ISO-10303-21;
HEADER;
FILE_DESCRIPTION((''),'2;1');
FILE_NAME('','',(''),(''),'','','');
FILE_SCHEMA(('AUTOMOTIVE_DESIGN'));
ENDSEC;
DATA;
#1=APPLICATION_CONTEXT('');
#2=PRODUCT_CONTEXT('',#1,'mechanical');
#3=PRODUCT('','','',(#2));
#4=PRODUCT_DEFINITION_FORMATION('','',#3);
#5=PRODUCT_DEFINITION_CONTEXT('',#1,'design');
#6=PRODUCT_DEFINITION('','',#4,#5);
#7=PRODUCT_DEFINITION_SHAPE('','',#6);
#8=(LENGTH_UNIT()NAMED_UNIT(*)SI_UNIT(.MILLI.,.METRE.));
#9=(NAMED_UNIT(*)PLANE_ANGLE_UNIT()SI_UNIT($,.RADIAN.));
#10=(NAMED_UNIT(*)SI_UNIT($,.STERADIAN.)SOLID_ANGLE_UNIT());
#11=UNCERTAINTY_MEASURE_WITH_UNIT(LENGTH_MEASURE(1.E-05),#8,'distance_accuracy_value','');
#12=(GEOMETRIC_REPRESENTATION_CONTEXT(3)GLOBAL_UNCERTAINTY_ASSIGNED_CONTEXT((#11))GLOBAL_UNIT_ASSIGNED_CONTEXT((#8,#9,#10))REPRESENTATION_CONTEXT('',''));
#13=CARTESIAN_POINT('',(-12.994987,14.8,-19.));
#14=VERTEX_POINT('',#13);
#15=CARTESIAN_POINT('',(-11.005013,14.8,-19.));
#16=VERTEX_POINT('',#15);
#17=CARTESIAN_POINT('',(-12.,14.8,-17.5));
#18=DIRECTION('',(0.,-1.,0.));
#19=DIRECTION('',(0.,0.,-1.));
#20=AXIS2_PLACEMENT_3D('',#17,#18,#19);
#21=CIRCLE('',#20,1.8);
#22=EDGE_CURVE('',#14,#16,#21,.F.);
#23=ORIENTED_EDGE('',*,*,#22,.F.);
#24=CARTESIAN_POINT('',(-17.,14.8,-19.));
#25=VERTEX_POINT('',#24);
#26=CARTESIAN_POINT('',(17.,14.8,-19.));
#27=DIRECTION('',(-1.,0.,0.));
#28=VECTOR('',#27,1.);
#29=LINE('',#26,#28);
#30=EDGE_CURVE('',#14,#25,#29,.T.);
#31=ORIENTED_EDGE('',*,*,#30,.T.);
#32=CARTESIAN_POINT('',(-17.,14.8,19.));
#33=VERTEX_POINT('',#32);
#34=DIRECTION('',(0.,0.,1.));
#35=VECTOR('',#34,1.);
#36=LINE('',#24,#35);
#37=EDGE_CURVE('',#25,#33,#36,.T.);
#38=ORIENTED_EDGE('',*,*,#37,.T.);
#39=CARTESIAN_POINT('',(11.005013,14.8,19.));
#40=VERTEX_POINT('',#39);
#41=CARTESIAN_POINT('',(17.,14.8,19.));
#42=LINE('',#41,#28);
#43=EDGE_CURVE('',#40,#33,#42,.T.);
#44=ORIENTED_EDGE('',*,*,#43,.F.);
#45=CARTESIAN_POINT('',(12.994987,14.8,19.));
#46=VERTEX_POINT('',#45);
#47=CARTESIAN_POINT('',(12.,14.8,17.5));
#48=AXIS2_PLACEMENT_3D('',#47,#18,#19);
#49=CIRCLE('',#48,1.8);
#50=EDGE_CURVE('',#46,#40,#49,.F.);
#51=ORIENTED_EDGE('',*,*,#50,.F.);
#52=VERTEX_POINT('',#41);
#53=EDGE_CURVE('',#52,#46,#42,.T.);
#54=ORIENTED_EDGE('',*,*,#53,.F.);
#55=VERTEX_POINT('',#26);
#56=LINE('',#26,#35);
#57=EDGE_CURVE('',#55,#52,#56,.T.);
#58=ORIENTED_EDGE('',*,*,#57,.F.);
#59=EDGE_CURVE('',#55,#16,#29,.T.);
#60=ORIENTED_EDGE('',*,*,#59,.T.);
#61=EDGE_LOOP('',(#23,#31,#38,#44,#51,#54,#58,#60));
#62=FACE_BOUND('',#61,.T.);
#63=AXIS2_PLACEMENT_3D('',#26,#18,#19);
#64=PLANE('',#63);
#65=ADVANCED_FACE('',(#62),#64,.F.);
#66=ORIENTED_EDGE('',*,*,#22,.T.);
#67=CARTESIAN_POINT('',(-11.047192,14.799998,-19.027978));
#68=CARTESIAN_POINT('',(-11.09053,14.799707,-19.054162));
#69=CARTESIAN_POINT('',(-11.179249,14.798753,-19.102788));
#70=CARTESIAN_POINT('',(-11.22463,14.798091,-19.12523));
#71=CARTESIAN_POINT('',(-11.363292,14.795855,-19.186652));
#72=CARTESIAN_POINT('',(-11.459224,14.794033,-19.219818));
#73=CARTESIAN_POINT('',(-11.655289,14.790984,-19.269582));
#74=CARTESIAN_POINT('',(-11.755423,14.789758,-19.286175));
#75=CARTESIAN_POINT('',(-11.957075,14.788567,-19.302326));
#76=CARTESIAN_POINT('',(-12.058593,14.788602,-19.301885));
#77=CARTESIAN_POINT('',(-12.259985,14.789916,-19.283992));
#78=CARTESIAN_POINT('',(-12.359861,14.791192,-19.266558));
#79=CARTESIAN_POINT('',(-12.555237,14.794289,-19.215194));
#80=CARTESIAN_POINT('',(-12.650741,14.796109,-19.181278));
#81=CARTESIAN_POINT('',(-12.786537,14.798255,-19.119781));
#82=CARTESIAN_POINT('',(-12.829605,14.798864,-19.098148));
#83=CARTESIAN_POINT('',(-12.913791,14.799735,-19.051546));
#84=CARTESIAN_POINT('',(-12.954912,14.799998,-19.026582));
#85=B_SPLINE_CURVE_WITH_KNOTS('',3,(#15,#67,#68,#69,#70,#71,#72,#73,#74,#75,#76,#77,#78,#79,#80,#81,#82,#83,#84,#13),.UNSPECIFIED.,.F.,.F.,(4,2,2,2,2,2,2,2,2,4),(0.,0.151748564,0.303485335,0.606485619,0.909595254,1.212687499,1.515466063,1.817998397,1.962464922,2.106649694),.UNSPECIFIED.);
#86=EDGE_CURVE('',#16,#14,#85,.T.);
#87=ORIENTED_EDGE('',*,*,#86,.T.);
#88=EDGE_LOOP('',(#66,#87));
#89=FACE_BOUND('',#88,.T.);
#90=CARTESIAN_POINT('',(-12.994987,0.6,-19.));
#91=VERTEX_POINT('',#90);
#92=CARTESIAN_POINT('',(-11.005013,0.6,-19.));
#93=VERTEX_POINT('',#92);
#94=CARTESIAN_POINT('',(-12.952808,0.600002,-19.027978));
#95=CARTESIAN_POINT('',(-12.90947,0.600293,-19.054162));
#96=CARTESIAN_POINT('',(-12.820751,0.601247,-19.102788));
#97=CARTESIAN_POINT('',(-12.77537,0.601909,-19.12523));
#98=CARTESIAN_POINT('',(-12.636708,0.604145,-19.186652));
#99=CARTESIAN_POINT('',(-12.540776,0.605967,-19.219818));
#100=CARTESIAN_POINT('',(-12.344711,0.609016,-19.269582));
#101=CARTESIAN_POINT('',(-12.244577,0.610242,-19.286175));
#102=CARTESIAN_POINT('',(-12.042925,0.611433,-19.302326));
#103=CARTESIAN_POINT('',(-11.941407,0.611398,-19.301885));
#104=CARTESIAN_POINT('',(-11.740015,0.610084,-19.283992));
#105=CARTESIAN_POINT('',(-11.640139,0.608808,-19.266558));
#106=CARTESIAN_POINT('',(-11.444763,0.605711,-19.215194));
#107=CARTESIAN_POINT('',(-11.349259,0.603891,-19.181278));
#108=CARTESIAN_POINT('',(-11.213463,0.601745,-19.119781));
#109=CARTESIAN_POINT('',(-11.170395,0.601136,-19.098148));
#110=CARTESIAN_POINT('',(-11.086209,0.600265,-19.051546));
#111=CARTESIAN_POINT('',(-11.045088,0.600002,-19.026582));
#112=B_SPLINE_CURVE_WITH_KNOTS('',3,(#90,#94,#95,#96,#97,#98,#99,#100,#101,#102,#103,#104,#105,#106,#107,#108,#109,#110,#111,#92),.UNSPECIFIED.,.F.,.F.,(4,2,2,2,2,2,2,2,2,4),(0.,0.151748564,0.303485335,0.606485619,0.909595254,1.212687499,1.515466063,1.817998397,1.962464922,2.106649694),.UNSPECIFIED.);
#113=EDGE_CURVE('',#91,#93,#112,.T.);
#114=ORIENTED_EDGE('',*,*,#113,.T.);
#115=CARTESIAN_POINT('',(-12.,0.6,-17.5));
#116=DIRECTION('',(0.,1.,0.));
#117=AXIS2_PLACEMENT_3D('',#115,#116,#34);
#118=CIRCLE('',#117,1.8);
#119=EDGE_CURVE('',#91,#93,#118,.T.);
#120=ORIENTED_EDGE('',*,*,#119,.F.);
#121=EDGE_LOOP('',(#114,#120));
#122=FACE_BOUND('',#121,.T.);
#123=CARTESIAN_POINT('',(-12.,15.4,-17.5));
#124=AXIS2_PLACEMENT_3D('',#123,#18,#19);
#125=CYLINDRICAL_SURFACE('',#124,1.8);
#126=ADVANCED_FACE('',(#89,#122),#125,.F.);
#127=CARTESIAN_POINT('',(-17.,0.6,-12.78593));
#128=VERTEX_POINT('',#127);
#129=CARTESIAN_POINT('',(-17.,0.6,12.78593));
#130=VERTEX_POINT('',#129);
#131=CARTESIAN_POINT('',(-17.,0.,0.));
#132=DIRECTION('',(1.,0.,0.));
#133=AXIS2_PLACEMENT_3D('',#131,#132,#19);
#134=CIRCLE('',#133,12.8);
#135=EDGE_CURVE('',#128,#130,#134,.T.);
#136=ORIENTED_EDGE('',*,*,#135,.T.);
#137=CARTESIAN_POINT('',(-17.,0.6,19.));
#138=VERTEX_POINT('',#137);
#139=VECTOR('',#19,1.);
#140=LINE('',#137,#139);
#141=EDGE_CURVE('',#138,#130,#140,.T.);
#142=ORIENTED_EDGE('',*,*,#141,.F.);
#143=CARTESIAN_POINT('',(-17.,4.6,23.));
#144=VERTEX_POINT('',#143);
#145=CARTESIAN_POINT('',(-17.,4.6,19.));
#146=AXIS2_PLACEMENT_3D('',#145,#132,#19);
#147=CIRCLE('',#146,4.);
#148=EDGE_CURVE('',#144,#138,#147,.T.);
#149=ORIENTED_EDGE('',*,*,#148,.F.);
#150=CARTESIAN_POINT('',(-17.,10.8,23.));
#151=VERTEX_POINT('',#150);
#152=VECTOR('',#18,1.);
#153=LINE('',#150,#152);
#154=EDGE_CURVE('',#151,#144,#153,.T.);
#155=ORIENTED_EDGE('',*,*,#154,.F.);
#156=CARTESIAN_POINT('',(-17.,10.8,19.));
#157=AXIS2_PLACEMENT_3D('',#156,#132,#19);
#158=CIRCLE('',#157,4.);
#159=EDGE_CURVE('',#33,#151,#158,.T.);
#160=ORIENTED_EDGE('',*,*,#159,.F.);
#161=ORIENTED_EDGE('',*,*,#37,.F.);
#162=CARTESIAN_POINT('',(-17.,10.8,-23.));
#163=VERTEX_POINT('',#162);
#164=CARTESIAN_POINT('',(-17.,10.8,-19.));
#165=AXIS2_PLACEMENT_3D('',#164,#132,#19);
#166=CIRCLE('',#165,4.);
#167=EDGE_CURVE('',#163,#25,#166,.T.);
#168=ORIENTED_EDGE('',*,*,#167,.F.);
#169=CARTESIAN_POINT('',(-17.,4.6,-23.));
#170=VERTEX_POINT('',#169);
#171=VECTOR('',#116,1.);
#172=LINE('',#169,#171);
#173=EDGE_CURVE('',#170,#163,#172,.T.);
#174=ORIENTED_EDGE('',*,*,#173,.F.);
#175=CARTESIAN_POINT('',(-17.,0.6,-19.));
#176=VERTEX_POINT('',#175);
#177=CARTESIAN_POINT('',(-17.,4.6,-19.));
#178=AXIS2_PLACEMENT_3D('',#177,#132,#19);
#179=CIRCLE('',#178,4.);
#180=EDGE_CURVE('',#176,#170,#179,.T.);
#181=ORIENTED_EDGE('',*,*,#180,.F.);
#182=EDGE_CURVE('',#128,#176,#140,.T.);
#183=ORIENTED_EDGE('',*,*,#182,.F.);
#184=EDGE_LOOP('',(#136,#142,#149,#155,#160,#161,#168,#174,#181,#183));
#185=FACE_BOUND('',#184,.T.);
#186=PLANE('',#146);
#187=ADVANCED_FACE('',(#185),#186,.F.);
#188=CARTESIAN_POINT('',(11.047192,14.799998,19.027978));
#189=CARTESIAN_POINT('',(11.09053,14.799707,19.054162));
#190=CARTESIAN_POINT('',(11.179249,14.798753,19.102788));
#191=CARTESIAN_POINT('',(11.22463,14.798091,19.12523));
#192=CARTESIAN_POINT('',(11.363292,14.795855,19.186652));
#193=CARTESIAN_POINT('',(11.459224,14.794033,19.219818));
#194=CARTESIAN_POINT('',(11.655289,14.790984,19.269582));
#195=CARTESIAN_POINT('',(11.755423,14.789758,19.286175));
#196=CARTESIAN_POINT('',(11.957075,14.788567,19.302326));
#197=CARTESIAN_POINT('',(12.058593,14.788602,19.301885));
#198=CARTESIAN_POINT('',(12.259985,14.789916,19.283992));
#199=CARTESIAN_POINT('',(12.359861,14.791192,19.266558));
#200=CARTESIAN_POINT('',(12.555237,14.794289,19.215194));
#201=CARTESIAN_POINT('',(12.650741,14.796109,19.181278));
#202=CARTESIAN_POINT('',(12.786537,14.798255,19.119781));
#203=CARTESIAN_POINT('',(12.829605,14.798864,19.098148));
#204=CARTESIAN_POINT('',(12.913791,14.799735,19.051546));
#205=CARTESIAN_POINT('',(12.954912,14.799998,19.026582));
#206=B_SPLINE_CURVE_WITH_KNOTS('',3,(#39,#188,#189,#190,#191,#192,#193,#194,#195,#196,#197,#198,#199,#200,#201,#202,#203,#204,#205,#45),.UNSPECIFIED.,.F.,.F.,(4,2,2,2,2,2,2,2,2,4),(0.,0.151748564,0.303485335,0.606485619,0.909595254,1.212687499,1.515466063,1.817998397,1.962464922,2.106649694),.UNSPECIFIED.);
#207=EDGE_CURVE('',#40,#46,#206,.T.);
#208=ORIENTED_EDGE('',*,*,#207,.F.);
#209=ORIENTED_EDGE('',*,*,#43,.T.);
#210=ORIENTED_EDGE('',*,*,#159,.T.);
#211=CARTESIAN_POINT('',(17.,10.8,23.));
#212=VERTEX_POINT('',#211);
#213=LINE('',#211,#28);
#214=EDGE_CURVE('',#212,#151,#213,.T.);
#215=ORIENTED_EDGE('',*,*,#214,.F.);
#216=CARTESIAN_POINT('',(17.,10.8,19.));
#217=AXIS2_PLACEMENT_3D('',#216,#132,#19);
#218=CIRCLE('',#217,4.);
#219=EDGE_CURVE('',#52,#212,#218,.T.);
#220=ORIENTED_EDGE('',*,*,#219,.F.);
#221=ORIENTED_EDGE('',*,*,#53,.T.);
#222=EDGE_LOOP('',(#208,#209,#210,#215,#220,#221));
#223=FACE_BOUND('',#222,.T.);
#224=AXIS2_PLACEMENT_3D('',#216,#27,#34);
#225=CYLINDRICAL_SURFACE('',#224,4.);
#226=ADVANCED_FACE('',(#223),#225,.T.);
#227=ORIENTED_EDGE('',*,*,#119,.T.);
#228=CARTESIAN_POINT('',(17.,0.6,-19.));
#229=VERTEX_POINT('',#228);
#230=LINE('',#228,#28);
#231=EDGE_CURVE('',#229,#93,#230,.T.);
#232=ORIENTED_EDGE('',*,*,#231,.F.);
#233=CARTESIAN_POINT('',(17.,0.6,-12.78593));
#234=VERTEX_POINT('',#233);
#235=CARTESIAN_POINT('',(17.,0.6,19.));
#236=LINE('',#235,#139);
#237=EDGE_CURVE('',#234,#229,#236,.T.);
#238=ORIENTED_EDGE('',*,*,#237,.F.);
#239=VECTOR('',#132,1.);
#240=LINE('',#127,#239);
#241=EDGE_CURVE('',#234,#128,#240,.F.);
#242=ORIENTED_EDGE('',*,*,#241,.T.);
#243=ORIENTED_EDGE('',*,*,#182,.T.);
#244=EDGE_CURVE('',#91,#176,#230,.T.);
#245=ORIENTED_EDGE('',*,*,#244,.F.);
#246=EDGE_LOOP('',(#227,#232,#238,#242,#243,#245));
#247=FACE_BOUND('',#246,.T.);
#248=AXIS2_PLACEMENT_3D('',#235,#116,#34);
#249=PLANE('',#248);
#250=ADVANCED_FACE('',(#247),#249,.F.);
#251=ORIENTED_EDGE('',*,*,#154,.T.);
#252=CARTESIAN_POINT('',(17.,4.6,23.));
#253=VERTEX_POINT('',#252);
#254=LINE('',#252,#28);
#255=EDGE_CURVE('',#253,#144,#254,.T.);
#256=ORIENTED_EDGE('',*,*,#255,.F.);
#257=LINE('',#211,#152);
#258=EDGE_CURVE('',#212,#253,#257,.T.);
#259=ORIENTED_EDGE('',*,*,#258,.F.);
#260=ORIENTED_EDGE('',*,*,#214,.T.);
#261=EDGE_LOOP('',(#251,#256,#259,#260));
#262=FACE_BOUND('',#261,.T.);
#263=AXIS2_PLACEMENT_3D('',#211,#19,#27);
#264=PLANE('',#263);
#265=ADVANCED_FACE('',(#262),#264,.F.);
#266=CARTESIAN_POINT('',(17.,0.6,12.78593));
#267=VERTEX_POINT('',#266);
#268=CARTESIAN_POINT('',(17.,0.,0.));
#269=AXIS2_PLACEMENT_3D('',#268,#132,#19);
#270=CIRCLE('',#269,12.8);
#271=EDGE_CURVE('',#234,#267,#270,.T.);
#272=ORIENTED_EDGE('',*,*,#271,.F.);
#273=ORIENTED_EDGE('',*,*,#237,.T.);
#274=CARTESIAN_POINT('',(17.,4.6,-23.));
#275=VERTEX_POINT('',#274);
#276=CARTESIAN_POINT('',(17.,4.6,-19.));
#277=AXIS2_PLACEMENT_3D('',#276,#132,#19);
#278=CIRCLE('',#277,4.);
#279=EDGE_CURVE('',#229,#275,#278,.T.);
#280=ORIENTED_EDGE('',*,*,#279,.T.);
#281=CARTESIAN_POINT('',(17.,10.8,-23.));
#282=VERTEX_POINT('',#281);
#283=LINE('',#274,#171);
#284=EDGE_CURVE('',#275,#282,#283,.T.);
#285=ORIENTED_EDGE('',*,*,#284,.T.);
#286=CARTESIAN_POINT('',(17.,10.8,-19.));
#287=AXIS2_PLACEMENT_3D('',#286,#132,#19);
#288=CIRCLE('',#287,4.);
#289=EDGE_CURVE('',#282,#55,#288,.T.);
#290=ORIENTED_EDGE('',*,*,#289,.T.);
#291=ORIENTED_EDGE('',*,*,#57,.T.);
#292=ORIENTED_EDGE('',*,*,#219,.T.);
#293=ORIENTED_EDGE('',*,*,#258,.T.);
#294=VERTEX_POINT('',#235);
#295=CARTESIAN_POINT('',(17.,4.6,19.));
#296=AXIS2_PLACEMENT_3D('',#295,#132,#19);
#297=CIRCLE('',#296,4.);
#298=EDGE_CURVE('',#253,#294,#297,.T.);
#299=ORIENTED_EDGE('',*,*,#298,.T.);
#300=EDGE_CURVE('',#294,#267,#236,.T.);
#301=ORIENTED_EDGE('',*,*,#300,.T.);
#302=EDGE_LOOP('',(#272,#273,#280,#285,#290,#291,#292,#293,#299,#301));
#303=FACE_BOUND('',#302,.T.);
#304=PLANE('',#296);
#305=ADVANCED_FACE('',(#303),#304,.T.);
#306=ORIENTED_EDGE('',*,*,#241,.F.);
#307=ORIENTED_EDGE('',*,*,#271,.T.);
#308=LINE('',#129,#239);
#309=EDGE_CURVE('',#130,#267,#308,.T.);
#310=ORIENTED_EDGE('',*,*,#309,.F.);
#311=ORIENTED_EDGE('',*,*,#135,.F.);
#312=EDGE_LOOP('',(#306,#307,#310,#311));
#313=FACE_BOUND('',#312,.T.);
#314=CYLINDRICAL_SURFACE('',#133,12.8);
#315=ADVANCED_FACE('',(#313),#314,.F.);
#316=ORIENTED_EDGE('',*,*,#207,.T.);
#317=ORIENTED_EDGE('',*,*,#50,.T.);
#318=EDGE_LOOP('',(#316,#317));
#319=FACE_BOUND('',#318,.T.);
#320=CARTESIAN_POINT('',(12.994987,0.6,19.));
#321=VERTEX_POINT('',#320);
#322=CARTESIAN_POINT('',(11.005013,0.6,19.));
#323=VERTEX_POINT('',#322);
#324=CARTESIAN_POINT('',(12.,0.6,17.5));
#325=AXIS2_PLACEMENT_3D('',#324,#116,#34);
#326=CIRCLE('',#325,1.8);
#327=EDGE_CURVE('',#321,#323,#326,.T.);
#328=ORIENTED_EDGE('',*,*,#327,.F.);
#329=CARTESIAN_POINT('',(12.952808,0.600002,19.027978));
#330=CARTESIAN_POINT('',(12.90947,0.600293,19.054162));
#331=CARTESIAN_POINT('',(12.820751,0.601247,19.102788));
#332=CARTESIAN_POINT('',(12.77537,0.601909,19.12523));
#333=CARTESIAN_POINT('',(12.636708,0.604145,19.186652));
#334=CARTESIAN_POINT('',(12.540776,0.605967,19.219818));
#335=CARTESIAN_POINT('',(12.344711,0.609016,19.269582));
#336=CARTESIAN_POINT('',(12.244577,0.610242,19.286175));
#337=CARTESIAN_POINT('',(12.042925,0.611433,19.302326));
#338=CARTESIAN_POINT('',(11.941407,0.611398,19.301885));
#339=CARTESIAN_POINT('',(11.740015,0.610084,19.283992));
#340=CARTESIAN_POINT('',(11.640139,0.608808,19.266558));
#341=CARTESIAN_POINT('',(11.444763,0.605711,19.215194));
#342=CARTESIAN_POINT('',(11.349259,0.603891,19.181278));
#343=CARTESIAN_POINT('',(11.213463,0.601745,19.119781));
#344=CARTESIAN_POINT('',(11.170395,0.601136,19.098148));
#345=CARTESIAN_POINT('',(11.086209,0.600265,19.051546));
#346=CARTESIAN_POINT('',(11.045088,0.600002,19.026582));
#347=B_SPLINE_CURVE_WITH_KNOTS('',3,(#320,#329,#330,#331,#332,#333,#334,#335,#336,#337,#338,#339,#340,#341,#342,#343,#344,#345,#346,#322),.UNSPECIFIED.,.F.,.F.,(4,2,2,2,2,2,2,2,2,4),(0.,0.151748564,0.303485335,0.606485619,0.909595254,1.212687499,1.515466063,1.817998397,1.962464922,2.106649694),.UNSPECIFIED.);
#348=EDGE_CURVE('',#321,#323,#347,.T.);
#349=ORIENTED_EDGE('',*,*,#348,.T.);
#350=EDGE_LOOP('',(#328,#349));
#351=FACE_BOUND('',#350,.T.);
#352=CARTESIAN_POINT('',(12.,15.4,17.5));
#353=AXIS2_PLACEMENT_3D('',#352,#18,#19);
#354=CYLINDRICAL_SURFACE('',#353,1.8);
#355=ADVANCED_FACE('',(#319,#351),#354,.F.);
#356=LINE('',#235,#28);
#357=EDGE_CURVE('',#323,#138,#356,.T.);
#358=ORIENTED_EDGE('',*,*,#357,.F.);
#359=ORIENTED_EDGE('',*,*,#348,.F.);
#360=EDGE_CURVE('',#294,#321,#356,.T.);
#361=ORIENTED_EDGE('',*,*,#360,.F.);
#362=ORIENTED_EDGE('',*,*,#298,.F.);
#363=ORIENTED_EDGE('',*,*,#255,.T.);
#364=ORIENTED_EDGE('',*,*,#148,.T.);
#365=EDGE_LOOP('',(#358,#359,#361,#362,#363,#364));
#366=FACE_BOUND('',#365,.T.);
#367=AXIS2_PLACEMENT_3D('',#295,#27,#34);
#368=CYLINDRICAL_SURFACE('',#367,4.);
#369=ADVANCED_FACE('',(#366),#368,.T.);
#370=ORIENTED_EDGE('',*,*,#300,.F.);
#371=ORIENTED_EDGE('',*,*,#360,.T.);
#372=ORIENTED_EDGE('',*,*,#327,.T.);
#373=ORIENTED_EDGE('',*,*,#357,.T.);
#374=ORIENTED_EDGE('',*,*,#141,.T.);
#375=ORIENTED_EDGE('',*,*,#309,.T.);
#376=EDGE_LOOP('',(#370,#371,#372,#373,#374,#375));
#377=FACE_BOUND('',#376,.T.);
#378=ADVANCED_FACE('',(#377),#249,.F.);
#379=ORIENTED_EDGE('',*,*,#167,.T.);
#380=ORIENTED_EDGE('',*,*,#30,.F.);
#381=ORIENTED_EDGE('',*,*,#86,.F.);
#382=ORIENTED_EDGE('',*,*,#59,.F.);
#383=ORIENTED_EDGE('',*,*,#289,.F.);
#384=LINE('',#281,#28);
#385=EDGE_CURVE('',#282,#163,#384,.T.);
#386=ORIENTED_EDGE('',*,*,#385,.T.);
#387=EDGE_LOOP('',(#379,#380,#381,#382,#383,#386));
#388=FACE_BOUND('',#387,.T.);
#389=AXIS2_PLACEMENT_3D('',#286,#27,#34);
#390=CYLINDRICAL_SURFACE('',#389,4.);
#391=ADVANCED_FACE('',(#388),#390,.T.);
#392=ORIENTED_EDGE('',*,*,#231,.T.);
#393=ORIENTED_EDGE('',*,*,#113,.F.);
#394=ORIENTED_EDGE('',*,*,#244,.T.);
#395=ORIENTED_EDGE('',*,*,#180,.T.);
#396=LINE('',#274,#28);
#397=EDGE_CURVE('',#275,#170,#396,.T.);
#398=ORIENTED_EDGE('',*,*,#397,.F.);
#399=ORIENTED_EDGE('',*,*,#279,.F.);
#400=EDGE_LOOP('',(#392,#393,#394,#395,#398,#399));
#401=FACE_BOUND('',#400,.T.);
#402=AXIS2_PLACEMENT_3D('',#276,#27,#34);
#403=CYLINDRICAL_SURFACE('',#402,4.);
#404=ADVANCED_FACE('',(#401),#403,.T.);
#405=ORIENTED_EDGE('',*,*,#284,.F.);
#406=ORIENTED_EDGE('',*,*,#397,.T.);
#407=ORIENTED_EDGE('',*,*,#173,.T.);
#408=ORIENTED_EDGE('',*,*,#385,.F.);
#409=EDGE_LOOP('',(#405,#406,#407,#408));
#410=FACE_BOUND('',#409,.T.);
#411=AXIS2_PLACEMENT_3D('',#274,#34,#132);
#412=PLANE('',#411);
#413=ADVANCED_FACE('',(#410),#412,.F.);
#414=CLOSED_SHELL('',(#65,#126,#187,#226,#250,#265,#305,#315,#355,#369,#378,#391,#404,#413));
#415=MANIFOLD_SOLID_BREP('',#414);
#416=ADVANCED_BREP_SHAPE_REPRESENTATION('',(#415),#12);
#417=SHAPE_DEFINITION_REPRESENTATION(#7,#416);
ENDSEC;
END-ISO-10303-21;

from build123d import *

# Parameters (mm, degrees)
BOSS_EXTRUDE1_DEPTH     = 17
CUT_EXTRUDE1_DEPTH      = 33.20310544
CUT_EXTRUDE1_DEPTH_BACK = 33.20310544
SKETCH2_R               = 12.8
SKETCH3_R               = 1.8
CUT_EXTRUDE2_DEPTH      = 14.8


with BuildPart() as part:
    # Sketch1 → Boss-Extrude1 (new, symmetric)
    with BuildSketch(Plane(origin=(0, 0, 0), x_dir=(0, 0, -1), z_dir=(1, 0, 0))):
        with BuildLine():
            Line((-19, 0.6), (19, 0.6))
            ThreePointArc((19, 0.6), (21.828427125, 1.771572875), (23, 4.6))
            Line((23, 4.6), (23, 10.8))
            ThreePointArc((23, 10.8), (21.828427125, 13.628427125), (19, 14.8))
            Line((19, 14.8), (-19, 14.8))
            ThreePointArc((-19, 14.8), (-21.828427125, 13.628427125), (-23, 10.8))
            Line((-23, 10.8), (-23, 4.6))
            ThreePointArc((-23, 4.6), (-21.828427125, 1.771572875), (-19, 0.6))
        make_face()
    extrude(amount=BOSS_EXTRUDE1_DEPTH, both=True)

    # Sketch2 → Cut-Extrude1 (cut, two sides: drawn at the far end of the back side and taken through both)
    with BuildSketch(Plane(origin=(0, 0, 0), x_dir=(0, 0, -1), z_dir=(1, 0, 0)).offset(-CUT_EXTRUDE1_DEPTH_BACK)):
        Circle(SKETCH2_R)
    extrude(amount=CUT_EXTRUDE1_DEPTH + CUT_EXTRUDE1_DEPTH_BACK, mode=Mode.SUBTRACT)

    # Sketch3 → Cut-Extrude2 (cut)
    with BuildSketch(Plane(origin=(0, 0.6, 0), x_dir=(1, 0, 0), z_dir=(0, 1, 0))):
        with Locations(Location((12, -17.5, 0), (0, 0, 236.442690238))):
            Circle(SKETCH3_R)
        with Locations(Location((-12, 17.5, 0), (0, 0, 123.557309762))):
            Circle(SKETCH3_R)
    extrude(amount=CUT_EXTRUDE2_DEPTH, mode=Mode.SUBTRACT)


solid = part.part
